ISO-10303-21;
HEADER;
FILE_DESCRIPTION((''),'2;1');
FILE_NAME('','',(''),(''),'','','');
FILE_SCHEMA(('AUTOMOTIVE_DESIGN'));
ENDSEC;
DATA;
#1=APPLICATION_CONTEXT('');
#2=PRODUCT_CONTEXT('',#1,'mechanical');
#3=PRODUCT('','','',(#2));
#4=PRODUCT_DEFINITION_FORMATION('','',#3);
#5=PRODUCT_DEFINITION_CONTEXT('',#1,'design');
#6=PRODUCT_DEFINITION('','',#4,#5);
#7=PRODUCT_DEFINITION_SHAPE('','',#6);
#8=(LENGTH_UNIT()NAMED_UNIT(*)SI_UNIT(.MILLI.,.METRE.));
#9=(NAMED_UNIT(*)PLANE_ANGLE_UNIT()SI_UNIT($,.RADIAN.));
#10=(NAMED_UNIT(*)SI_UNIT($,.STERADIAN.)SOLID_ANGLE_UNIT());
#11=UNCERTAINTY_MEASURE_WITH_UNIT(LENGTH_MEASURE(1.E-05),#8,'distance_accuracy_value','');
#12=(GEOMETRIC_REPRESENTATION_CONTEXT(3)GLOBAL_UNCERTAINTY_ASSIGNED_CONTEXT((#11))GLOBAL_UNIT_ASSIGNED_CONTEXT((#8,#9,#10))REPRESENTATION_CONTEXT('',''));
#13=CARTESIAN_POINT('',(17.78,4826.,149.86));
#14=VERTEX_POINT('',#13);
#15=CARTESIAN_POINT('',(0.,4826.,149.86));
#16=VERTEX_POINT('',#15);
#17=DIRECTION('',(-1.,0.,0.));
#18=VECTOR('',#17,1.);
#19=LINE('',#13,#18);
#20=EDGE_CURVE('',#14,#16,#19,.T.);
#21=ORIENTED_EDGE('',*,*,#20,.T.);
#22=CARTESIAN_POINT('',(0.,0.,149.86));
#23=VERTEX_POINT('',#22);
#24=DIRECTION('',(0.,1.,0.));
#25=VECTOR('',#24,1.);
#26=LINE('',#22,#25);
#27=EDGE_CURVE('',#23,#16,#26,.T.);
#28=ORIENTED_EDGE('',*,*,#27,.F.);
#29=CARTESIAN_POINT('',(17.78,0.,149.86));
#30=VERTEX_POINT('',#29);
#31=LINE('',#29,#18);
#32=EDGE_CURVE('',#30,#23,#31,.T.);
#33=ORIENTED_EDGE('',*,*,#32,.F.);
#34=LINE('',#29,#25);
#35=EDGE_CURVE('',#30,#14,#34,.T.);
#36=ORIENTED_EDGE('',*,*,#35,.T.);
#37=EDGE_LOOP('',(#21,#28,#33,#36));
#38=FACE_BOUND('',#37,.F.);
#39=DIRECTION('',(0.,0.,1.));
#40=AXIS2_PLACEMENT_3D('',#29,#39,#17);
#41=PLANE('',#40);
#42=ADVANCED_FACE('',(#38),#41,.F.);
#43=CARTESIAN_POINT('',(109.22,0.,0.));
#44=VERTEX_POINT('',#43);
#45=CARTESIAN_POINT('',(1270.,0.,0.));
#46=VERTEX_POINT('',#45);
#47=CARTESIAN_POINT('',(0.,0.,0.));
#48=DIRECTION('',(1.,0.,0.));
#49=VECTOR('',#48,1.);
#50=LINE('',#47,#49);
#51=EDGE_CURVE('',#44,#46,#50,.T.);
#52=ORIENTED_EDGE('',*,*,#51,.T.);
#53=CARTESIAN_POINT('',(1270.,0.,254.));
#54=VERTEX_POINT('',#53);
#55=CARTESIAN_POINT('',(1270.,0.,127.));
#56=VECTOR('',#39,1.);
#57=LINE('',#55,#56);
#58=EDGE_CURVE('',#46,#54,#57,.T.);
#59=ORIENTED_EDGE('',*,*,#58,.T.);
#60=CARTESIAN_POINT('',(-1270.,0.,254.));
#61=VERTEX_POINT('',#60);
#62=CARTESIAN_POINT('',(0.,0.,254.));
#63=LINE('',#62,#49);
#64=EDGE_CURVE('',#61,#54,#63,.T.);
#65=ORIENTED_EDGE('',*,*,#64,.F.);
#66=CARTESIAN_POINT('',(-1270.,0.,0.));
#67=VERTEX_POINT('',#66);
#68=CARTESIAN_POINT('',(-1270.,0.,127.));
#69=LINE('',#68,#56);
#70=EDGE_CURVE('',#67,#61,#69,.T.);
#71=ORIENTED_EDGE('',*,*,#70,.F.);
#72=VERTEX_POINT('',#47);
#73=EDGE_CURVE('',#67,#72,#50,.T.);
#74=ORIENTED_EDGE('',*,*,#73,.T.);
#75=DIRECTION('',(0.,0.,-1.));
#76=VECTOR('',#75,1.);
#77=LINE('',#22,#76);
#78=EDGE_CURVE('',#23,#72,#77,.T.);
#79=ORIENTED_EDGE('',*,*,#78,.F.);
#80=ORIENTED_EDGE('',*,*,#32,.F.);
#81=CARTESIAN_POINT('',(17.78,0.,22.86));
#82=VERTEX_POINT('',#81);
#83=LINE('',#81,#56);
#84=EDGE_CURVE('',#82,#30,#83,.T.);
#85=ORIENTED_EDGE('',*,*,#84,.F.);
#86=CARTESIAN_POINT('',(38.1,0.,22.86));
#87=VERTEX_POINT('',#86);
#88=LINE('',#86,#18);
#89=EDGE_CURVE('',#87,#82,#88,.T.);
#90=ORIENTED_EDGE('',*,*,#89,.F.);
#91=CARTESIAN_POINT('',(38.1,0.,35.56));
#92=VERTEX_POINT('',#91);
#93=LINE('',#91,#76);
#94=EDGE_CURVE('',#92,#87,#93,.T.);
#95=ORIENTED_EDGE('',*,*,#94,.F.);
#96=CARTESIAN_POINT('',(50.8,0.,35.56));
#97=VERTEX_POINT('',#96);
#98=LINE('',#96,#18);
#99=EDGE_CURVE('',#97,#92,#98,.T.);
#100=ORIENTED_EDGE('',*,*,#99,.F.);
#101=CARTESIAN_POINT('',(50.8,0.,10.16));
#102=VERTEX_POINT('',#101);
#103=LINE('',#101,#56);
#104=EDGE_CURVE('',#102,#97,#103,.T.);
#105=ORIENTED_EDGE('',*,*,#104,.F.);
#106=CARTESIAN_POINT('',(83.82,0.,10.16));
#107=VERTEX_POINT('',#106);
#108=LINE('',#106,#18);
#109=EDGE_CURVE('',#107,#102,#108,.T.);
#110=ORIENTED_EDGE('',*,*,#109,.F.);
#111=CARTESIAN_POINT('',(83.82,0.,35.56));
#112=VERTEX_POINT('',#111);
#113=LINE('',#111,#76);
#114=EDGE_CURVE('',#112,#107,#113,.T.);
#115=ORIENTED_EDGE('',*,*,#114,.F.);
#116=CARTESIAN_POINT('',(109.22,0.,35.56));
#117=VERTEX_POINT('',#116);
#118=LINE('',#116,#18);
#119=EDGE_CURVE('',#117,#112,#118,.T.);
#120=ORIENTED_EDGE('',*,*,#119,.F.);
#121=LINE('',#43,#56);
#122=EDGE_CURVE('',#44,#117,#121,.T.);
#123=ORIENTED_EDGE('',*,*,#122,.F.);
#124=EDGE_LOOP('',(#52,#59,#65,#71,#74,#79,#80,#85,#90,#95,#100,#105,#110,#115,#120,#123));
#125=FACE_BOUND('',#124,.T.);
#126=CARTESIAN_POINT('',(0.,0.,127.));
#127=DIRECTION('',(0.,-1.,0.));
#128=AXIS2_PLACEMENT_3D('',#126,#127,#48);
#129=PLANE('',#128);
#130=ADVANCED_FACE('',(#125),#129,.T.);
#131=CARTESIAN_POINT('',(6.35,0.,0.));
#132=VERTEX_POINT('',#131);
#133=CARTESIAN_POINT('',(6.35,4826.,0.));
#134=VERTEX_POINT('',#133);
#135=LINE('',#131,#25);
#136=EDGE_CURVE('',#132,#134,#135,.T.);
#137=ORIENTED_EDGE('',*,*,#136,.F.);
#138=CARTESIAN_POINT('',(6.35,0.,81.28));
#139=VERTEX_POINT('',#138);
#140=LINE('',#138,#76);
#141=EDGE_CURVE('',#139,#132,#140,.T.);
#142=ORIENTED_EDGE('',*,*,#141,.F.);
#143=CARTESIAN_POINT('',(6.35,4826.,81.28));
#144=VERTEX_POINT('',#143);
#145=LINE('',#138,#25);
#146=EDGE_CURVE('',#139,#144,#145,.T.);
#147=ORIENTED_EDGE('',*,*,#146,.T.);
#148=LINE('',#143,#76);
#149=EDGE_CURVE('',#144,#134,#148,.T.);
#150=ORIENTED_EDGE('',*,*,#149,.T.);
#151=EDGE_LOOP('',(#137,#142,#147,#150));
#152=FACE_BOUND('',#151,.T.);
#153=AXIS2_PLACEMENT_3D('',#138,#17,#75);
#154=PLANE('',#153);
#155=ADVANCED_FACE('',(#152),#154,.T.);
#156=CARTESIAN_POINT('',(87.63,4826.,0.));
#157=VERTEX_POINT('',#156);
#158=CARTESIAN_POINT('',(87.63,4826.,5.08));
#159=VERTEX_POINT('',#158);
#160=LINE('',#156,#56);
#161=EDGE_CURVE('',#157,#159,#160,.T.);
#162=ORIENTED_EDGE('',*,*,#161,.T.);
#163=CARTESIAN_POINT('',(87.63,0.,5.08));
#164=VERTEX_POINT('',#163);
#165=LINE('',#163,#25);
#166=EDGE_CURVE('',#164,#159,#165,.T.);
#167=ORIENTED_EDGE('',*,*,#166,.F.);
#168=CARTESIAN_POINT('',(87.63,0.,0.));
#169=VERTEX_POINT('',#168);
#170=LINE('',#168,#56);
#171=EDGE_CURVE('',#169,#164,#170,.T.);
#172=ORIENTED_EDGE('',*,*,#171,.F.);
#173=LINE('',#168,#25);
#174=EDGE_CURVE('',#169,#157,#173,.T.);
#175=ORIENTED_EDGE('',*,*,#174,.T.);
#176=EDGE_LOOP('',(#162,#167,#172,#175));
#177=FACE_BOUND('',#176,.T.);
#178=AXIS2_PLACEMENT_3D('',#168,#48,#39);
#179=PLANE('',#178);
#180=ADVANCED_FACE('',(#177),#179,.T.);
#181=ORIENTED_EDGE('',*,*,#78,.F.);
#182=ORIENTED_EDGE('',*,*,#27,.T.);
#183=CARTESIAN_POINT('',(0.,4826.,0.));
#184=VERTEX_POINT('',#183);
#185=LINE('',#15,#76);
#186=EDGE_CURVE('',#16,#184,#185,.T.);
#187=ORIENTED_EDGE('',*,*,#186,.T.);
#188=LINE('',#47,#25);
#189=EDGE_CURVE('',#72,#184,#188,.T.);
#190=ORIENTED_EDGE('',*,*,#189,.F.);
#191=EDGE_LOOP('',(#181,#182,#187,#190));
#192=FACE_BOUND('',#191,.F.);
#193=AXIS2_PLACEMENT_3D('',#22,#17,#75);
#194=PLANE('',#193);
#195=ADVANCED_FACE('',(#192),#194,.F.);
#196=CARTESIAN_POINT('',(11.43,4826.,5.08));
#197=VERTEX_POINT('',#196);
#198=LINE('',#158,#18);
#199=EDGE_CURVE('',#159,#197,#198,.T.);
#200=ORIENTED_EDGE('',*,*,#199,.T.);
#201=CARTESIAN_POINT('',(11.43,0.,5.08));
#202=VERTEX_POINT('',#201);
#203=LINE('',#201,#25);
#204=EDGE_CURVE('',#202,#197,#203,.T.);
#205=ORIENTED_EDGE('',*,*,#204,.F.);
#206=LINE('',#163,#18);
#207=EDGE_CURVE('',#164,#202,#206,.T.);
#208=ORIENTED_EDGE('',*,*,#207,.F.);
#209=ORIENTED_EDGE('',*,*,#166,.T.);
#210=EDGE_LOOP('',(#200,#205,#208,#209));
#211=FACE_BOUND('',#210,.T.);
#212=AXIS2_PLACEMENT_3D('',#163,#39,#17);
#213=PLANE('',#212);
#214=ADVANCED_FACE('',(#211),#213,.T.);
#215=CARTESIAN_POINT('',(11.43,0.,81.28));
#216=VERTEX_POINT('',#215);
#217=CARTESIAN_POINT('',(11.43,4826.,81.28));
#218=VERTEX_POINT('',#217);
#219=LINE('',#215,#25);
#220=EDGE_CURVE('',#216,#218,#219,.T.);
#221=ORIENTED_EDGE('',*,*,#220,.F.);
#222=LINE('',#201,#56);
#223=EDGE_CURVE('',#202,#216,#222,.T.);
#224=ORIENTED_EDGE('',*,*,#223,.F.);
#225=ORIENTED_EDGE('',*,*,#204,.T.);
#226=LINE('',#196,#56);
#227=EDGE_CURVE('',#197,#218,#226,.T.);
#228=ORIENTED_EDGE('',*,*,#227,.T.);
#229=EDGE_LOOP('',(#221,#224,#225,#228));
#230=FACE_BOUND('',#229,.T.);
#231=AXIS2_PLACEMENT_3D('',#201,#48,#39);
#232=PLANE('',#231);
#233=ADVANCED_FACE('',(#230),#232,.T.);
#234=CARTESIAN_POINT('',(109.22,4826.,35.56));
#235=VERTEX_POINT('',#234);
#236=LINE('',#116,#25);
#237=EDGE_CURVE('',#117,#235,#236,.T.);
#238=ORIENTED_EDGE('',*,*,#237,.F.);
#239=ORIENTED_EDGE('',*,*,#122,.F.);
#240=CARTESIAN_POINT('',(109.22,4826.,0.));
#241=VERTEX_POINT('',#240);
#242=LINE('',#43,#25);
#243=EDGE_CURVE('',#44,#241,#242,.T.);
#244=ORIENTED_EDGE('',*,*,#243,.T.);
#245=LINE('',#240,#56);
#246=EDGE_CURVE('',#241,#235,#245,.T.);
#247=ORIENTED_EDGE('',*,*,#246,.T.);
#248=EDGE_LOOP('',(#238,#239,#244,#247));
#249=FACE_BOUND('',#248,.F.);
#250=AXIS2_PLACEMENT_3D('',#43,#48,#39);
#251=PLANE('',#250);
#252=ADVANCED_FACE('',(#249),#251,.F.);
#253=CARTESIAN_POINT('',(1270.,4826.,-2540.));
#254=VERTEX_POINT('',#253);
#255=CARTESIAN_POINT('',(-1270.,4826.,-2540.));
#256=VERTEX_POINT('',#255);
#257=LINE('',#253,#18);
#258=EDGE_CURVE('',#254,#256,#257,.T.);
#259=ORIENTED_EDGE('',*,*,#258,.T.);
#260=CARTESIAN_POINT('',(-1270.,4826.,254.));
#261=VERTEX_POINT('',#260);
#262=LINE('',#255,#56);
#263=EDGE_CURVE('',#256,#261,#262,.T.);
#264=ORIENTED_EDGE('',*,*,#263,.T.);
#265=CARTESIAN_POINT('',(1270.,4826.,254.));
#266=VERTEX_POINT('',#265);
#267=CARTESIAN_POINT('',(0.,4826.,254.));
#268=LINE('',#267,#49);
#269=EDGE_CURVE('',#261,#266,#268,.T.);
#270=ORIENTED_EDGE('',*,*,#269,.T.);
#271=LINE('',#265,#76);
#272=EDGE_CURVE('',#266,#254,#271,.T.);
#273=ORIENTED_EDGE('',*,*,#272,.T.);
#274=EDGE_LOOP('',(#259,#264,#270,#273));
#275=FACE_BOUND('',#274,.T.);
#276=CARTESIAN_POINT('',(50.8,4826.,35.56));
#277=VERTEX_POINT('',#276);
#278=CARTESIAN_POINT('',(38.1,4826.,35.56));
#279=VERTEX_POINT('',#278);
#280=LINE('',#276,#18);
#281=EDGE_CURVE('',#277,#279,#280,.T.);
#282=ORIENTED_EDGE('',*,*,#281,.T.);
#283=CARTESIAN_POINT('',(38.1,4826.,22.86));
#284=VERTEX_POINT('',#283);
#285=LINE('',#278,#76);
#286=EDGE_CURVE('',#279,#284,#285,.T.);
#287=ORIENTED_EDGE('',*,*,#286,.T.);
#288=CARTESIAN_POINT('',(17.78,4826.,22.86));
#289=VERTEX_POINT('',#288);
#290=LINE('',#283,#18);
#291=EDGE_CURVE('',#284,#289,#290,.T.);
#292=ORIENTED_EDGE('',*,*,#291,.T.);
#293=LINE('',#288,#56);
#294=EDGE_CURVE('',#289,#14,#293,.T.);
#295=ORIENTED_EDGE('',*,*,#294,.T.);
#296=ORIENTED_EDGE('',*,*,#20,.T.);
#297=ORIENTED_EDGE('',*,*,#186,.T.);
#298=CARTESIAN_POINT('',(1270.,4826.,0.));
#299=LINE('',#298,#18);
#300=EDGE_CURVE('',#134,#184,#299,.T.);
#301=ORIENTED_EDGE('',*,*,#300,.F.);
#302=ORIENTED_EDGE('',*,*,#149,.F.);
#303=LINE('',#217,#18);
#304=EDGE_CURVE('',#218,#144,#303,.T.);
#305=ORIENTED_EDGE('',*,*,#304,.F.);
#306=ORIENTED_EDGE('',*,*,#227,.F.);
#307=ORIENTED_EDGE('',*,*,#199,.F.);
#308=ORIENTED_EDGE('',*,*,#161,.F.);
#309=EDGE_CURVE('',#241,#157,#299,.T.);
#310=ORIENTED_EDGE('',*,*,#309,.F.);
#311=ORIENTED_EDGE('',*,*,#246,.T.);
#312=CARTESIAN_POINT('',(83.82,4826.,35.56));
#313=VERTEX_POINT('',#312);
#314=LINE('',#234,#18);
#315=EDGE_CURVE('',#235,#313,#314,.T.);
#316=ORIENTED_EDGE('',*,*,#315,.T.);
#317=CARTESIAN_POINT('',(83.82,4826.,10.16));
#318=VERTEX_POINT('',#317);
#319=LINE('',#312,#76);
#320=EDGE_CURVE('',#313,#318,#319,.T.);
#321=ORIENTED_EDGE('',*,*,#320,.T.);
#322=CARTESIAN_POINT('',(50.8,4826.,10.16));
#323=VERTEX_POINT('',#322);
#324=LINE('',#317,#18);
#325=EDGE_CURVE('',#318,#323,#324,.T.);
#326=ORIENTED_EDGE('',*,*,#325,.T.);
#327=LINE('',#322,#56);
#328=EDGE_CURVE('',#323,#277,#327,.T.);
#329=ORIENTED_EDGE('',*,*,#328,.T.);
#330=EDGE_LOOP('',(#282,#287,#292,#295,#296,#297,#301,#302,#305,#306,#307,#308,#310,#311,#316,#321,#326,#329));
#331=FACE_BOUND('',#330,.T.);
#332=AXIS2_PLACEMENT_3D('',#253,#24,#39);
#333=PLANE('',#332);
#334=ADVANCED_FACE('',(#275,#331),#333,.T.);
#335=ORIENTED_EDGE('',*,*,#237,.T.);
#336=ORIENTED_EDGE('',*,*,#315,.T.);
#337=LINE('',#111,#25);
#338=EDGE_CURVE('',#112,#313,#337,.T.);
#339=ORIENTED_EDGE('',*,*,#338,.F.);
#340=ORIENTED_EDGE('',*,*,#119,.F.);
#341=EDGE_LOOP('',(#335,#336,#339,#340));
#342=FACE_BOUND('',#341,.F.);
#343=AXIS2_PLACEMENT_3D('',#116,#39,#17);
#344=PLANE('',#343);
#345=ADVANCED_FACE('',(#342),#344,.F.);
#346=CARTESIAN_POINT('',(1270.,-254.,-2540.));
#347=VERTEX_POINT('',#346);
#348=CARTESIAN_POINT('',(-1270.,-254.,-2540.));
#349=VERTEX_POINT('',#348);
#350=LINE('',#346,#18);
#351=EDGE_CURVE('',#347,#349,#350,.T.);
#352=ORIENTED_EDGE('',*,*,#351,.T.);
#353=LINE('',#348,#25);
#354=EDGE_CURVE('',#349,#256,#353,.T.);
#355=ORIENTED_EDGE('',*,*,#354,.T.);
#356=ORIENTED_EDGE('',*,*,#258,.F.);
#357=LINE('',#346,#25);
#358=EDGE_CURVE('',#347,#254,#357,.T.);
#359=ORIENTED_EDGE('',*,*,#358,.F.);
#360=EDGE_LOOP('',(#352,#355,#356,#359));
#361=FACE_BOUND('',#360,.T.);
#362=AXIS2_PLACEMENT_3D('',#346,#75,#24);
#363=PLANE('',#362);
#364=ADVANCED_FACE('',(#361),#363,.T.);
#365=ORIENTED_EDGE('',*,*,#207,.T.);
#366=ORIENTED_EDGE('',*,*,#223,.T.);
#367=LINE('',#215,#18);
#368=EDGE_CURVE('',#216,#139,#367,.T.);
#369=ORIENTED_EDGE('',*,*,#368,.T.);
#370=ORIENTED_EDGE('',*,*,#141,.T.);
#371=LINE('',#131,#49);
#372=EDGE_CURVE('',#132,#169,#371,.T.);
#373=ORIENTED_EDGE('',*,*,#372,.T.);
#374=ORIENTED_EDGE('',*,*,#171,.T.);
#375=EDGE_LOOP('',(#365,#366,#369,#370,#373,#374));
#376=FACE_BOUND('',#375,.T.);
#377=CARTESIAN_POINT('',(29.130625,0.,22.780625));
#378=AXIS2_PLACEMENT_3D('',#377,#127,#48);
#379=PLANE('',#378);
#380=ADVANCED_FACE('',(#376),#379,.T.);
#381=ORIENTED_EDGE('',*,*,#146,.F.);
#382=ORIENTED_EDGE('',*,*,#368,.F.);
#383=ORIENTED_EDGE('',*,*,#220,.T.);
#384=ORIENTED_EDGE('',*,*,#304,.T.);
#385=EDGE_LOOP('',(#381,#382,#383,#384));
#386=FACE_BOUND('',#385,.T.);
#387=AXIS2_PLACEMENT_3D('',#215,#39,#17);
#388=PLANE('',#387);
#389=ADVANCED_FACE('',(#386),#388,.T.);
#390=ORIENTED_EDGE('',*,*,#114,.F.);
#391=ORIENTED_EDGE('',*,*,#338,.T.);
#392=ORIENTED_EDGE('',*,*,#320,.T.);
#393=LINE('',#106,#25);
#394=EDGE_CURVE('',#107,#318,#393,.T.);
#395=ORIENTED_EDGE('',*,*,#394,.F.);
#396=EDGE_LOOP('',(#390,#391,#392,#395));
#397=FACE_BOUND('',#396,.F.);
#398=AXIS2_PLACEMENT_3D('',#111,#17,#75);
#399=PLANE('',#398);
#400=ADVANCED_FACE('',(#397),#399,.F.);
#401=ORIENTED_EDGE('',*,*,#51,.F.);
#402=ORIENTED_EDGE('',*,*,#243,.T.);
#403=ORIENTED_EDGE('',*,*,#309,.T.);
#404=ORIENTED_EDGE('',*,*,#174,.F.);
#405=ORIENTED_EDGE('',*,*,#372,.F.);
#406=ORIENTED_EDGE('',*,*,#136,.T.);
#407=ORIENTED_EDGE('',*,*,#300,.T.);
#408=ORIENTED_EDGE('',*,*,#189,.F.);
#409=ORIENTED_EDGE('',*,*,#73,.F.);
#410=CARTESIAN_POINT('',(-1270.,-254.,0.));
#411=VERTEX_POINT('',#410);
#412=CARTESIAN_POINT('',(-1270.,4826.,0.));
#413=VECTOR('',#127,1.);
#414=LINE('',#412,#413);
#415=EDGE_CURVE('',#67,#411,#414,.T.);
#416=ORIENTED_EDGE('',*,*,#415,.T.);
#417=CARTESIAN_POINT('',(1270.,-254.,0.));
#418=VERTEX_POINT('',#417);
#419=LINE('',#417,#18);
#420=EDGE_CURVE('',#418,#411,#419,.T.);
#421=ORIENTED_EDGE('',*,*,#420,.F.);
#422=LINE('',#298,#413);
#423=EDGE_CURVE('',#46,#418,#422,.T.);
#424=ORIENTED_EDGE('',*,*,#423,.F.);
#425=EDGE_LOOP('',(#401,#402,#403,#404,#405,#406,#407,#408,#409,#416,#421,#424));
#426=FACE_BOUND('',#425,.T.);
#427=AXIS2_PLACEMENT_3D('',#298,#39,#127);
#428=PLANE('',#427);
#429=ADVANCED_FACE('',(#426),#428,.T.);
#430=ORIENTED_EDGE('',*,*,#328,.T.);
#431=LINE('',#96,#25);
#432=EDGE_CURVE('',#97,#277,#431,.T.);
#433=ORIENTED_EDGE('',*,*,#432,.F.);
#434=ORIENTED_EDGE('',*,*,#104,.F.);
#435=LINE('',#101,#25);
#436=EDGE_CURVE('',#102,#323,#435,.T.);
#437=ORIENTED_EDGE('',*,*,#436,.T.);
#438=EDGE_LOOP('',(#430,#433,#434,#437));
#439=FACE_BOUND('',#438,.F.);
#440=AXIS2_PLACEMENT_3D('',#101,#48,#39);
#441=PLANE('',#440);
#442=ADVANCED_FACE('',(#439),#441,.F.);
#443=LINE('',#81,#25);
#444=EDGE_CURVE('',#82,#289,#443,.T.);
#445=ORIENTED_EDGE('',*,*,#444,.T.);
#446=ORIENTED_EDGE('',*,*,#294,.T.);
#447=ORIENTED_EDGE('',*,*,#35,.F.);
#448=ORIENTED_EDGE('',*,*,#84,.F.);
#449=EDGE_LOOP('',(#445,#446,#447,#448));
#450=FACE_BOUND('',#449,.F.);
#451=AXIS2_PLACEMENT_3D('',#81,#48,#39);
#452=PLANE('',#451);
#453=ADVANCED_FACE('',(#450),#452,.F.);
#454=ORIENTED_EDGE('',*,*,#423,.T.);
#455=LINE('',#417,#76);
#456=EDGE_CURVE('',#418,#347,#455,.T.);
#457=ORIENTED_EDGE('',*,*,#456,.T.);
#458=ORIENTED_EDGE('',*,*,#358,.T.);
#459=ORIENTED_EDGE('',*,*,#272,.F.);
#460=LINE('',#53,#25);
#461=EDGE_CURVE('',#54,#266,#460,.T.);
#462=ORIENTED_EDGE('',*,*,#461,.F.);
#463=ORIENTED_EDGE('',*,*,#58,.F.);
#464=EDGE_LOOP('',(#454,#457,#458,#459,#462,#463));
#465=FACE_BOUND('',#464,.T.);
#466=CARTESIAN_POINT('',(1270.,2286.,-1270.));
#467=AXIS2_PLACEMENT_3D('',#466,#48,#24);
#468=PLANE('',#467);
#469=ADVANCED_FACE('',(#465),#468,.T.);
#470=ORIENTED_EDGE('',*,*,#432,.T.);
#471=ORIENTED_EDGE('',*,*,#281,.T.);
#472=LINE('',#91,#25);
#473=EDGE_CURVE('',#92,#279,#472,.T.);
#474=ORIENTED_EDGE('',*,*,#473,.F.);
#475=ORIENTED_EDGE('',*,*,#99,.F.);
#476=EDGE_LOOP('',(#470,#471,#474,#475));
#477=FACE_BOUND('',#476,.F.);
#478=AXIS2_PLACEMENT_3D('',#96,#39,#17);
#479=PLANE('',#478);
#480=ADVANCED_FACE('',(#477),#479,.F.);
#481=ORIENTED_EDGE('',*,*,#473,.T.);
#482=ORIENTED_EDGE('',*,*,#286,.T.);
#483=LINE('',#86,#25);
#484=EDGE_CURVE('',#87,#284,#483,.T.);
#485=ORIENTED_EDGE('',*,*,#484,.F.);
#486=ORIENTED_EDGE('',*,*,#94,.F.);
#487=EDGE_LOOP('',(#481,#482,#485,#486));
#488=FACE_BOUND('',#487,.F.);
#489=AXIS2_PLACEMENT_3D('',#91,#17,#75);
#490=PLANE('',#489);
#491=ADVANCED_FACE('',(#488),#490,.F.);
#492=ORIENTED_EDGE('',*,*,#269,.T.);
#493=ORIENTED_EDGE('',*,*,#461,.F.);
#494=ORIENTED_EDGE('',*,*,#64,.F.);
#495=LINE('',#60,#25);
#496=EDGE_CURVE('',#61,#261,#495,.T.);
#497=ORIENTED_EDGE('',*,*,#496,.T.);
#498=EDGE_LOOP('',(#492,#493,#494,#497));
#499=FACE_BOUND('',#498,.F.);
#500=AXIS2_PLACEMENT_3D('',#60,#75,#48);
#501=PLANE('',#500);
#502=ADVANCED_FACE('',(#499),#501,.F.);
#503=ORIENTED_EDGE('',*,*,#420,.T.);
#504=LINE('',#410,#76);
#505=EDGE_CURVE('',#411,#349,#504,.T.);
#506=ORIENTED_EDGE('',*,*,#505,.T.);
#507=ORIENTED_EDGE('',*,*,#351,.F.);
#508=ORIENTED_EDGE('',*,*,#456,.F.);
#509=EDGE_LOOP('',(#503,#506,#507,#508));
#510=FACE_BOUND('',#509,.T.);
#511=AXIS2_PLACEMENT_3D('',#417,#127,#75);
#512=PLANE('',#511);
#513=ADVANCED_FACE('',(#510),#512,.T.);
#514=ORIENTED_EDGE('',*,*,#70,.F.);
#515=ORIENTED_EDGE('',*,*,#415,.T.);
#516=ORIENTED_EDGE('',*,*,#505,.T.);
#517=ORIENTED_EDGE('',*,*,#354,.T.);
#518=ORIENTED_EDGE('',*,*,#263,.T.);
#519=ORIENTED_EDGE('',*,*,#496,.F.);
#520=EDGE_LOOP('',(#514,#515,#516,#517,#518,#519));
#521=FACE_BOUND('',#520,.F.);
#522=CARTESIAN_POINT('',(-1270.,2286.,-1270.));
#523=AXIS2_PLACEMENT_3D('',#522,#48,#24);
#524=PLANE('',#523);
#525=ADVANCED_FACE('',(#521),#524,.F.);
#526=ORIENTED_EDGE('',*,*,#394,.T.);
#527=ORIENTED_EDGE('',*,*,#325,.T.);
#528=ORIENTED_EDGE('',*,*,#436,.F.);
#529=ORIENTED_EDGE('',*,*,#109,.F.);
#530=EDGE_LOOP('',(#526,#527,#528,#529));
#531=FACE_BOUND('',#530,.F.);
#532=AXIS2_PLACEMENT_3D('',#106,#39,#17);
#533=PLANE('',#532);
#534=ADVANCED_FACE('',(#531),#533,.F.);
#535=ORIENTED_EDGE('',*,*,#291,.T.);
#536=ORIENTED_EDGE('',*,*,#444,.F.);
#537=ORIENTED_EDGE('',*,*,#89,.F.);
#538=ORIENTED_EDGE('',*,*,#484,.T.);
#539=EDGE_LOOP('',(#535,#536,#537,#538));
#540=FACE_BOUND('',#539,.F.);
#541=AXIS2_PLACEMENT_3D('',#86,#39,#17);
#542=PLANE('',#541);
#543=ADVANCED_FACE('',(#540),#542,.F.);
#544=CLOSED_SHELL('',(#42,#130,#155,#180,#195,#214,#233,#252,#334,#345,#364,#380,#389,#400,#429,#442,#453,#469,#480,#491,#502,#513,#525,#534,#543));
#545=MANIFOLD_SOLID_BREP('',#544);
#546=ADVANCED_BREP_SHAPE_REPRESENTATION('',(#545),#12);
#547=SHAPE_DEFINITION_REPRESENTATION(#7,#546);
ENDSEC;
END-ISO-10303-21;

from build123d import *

# Parameters (mm, degrees)
F1_W     = 2540
F1_H     = 254
F2_DEPTH = 4826
F3_DEPTH = 4826
F5_DEPTH = 2540
F7_DEPTH = 4826


with BuildPart() as f2:
    # F1 (on Front) → F2 (new body)
    with BuildSketch(Plane.XZ):
        with Locations((0, 127)):
            Rectangle(F1_W, F1_H)
    extrude(amount=-F2_DEPTH)

    # F0 (on Front) → F3 (cut)
    with BuildSketch(Plane.XZ):
        Polygon((0, 149.86), (0, 0), (109.22, 0), (109.22, 35.56), (83.82, 35.56), (83.82, 10.16), (50.8, 10.16), (50.8, 35.56), (38.1, 35.56), (38.1, 22.86), (17.78, 22.86), (17.78, 149.86), align=None)
    extrude(amount=-F3_DEPTH, mode=Mode.SUBTRACT)

    # F4 (on face) → F5 (join)
    with BuildSketch(Plane.YZ.offset(1270)):
        Polygon((4826, -2540), (4826, 0), (0, 0), (-254, 0), (-254, -2540), align=None)
    extrude(amount=-F5_DEPTH)

    # F6 (on face) → F7 (join)
    with BuildSketch(Plane.XZ):
        Polygon((6.35, 81.28), (6.35, 0), (87.63, 0), (87.63, 5.08), (11.43, 5.08), (11.43, 81.28), align=None)
    extrude(amount=-F7_DEPTH)


solid = f2.part
